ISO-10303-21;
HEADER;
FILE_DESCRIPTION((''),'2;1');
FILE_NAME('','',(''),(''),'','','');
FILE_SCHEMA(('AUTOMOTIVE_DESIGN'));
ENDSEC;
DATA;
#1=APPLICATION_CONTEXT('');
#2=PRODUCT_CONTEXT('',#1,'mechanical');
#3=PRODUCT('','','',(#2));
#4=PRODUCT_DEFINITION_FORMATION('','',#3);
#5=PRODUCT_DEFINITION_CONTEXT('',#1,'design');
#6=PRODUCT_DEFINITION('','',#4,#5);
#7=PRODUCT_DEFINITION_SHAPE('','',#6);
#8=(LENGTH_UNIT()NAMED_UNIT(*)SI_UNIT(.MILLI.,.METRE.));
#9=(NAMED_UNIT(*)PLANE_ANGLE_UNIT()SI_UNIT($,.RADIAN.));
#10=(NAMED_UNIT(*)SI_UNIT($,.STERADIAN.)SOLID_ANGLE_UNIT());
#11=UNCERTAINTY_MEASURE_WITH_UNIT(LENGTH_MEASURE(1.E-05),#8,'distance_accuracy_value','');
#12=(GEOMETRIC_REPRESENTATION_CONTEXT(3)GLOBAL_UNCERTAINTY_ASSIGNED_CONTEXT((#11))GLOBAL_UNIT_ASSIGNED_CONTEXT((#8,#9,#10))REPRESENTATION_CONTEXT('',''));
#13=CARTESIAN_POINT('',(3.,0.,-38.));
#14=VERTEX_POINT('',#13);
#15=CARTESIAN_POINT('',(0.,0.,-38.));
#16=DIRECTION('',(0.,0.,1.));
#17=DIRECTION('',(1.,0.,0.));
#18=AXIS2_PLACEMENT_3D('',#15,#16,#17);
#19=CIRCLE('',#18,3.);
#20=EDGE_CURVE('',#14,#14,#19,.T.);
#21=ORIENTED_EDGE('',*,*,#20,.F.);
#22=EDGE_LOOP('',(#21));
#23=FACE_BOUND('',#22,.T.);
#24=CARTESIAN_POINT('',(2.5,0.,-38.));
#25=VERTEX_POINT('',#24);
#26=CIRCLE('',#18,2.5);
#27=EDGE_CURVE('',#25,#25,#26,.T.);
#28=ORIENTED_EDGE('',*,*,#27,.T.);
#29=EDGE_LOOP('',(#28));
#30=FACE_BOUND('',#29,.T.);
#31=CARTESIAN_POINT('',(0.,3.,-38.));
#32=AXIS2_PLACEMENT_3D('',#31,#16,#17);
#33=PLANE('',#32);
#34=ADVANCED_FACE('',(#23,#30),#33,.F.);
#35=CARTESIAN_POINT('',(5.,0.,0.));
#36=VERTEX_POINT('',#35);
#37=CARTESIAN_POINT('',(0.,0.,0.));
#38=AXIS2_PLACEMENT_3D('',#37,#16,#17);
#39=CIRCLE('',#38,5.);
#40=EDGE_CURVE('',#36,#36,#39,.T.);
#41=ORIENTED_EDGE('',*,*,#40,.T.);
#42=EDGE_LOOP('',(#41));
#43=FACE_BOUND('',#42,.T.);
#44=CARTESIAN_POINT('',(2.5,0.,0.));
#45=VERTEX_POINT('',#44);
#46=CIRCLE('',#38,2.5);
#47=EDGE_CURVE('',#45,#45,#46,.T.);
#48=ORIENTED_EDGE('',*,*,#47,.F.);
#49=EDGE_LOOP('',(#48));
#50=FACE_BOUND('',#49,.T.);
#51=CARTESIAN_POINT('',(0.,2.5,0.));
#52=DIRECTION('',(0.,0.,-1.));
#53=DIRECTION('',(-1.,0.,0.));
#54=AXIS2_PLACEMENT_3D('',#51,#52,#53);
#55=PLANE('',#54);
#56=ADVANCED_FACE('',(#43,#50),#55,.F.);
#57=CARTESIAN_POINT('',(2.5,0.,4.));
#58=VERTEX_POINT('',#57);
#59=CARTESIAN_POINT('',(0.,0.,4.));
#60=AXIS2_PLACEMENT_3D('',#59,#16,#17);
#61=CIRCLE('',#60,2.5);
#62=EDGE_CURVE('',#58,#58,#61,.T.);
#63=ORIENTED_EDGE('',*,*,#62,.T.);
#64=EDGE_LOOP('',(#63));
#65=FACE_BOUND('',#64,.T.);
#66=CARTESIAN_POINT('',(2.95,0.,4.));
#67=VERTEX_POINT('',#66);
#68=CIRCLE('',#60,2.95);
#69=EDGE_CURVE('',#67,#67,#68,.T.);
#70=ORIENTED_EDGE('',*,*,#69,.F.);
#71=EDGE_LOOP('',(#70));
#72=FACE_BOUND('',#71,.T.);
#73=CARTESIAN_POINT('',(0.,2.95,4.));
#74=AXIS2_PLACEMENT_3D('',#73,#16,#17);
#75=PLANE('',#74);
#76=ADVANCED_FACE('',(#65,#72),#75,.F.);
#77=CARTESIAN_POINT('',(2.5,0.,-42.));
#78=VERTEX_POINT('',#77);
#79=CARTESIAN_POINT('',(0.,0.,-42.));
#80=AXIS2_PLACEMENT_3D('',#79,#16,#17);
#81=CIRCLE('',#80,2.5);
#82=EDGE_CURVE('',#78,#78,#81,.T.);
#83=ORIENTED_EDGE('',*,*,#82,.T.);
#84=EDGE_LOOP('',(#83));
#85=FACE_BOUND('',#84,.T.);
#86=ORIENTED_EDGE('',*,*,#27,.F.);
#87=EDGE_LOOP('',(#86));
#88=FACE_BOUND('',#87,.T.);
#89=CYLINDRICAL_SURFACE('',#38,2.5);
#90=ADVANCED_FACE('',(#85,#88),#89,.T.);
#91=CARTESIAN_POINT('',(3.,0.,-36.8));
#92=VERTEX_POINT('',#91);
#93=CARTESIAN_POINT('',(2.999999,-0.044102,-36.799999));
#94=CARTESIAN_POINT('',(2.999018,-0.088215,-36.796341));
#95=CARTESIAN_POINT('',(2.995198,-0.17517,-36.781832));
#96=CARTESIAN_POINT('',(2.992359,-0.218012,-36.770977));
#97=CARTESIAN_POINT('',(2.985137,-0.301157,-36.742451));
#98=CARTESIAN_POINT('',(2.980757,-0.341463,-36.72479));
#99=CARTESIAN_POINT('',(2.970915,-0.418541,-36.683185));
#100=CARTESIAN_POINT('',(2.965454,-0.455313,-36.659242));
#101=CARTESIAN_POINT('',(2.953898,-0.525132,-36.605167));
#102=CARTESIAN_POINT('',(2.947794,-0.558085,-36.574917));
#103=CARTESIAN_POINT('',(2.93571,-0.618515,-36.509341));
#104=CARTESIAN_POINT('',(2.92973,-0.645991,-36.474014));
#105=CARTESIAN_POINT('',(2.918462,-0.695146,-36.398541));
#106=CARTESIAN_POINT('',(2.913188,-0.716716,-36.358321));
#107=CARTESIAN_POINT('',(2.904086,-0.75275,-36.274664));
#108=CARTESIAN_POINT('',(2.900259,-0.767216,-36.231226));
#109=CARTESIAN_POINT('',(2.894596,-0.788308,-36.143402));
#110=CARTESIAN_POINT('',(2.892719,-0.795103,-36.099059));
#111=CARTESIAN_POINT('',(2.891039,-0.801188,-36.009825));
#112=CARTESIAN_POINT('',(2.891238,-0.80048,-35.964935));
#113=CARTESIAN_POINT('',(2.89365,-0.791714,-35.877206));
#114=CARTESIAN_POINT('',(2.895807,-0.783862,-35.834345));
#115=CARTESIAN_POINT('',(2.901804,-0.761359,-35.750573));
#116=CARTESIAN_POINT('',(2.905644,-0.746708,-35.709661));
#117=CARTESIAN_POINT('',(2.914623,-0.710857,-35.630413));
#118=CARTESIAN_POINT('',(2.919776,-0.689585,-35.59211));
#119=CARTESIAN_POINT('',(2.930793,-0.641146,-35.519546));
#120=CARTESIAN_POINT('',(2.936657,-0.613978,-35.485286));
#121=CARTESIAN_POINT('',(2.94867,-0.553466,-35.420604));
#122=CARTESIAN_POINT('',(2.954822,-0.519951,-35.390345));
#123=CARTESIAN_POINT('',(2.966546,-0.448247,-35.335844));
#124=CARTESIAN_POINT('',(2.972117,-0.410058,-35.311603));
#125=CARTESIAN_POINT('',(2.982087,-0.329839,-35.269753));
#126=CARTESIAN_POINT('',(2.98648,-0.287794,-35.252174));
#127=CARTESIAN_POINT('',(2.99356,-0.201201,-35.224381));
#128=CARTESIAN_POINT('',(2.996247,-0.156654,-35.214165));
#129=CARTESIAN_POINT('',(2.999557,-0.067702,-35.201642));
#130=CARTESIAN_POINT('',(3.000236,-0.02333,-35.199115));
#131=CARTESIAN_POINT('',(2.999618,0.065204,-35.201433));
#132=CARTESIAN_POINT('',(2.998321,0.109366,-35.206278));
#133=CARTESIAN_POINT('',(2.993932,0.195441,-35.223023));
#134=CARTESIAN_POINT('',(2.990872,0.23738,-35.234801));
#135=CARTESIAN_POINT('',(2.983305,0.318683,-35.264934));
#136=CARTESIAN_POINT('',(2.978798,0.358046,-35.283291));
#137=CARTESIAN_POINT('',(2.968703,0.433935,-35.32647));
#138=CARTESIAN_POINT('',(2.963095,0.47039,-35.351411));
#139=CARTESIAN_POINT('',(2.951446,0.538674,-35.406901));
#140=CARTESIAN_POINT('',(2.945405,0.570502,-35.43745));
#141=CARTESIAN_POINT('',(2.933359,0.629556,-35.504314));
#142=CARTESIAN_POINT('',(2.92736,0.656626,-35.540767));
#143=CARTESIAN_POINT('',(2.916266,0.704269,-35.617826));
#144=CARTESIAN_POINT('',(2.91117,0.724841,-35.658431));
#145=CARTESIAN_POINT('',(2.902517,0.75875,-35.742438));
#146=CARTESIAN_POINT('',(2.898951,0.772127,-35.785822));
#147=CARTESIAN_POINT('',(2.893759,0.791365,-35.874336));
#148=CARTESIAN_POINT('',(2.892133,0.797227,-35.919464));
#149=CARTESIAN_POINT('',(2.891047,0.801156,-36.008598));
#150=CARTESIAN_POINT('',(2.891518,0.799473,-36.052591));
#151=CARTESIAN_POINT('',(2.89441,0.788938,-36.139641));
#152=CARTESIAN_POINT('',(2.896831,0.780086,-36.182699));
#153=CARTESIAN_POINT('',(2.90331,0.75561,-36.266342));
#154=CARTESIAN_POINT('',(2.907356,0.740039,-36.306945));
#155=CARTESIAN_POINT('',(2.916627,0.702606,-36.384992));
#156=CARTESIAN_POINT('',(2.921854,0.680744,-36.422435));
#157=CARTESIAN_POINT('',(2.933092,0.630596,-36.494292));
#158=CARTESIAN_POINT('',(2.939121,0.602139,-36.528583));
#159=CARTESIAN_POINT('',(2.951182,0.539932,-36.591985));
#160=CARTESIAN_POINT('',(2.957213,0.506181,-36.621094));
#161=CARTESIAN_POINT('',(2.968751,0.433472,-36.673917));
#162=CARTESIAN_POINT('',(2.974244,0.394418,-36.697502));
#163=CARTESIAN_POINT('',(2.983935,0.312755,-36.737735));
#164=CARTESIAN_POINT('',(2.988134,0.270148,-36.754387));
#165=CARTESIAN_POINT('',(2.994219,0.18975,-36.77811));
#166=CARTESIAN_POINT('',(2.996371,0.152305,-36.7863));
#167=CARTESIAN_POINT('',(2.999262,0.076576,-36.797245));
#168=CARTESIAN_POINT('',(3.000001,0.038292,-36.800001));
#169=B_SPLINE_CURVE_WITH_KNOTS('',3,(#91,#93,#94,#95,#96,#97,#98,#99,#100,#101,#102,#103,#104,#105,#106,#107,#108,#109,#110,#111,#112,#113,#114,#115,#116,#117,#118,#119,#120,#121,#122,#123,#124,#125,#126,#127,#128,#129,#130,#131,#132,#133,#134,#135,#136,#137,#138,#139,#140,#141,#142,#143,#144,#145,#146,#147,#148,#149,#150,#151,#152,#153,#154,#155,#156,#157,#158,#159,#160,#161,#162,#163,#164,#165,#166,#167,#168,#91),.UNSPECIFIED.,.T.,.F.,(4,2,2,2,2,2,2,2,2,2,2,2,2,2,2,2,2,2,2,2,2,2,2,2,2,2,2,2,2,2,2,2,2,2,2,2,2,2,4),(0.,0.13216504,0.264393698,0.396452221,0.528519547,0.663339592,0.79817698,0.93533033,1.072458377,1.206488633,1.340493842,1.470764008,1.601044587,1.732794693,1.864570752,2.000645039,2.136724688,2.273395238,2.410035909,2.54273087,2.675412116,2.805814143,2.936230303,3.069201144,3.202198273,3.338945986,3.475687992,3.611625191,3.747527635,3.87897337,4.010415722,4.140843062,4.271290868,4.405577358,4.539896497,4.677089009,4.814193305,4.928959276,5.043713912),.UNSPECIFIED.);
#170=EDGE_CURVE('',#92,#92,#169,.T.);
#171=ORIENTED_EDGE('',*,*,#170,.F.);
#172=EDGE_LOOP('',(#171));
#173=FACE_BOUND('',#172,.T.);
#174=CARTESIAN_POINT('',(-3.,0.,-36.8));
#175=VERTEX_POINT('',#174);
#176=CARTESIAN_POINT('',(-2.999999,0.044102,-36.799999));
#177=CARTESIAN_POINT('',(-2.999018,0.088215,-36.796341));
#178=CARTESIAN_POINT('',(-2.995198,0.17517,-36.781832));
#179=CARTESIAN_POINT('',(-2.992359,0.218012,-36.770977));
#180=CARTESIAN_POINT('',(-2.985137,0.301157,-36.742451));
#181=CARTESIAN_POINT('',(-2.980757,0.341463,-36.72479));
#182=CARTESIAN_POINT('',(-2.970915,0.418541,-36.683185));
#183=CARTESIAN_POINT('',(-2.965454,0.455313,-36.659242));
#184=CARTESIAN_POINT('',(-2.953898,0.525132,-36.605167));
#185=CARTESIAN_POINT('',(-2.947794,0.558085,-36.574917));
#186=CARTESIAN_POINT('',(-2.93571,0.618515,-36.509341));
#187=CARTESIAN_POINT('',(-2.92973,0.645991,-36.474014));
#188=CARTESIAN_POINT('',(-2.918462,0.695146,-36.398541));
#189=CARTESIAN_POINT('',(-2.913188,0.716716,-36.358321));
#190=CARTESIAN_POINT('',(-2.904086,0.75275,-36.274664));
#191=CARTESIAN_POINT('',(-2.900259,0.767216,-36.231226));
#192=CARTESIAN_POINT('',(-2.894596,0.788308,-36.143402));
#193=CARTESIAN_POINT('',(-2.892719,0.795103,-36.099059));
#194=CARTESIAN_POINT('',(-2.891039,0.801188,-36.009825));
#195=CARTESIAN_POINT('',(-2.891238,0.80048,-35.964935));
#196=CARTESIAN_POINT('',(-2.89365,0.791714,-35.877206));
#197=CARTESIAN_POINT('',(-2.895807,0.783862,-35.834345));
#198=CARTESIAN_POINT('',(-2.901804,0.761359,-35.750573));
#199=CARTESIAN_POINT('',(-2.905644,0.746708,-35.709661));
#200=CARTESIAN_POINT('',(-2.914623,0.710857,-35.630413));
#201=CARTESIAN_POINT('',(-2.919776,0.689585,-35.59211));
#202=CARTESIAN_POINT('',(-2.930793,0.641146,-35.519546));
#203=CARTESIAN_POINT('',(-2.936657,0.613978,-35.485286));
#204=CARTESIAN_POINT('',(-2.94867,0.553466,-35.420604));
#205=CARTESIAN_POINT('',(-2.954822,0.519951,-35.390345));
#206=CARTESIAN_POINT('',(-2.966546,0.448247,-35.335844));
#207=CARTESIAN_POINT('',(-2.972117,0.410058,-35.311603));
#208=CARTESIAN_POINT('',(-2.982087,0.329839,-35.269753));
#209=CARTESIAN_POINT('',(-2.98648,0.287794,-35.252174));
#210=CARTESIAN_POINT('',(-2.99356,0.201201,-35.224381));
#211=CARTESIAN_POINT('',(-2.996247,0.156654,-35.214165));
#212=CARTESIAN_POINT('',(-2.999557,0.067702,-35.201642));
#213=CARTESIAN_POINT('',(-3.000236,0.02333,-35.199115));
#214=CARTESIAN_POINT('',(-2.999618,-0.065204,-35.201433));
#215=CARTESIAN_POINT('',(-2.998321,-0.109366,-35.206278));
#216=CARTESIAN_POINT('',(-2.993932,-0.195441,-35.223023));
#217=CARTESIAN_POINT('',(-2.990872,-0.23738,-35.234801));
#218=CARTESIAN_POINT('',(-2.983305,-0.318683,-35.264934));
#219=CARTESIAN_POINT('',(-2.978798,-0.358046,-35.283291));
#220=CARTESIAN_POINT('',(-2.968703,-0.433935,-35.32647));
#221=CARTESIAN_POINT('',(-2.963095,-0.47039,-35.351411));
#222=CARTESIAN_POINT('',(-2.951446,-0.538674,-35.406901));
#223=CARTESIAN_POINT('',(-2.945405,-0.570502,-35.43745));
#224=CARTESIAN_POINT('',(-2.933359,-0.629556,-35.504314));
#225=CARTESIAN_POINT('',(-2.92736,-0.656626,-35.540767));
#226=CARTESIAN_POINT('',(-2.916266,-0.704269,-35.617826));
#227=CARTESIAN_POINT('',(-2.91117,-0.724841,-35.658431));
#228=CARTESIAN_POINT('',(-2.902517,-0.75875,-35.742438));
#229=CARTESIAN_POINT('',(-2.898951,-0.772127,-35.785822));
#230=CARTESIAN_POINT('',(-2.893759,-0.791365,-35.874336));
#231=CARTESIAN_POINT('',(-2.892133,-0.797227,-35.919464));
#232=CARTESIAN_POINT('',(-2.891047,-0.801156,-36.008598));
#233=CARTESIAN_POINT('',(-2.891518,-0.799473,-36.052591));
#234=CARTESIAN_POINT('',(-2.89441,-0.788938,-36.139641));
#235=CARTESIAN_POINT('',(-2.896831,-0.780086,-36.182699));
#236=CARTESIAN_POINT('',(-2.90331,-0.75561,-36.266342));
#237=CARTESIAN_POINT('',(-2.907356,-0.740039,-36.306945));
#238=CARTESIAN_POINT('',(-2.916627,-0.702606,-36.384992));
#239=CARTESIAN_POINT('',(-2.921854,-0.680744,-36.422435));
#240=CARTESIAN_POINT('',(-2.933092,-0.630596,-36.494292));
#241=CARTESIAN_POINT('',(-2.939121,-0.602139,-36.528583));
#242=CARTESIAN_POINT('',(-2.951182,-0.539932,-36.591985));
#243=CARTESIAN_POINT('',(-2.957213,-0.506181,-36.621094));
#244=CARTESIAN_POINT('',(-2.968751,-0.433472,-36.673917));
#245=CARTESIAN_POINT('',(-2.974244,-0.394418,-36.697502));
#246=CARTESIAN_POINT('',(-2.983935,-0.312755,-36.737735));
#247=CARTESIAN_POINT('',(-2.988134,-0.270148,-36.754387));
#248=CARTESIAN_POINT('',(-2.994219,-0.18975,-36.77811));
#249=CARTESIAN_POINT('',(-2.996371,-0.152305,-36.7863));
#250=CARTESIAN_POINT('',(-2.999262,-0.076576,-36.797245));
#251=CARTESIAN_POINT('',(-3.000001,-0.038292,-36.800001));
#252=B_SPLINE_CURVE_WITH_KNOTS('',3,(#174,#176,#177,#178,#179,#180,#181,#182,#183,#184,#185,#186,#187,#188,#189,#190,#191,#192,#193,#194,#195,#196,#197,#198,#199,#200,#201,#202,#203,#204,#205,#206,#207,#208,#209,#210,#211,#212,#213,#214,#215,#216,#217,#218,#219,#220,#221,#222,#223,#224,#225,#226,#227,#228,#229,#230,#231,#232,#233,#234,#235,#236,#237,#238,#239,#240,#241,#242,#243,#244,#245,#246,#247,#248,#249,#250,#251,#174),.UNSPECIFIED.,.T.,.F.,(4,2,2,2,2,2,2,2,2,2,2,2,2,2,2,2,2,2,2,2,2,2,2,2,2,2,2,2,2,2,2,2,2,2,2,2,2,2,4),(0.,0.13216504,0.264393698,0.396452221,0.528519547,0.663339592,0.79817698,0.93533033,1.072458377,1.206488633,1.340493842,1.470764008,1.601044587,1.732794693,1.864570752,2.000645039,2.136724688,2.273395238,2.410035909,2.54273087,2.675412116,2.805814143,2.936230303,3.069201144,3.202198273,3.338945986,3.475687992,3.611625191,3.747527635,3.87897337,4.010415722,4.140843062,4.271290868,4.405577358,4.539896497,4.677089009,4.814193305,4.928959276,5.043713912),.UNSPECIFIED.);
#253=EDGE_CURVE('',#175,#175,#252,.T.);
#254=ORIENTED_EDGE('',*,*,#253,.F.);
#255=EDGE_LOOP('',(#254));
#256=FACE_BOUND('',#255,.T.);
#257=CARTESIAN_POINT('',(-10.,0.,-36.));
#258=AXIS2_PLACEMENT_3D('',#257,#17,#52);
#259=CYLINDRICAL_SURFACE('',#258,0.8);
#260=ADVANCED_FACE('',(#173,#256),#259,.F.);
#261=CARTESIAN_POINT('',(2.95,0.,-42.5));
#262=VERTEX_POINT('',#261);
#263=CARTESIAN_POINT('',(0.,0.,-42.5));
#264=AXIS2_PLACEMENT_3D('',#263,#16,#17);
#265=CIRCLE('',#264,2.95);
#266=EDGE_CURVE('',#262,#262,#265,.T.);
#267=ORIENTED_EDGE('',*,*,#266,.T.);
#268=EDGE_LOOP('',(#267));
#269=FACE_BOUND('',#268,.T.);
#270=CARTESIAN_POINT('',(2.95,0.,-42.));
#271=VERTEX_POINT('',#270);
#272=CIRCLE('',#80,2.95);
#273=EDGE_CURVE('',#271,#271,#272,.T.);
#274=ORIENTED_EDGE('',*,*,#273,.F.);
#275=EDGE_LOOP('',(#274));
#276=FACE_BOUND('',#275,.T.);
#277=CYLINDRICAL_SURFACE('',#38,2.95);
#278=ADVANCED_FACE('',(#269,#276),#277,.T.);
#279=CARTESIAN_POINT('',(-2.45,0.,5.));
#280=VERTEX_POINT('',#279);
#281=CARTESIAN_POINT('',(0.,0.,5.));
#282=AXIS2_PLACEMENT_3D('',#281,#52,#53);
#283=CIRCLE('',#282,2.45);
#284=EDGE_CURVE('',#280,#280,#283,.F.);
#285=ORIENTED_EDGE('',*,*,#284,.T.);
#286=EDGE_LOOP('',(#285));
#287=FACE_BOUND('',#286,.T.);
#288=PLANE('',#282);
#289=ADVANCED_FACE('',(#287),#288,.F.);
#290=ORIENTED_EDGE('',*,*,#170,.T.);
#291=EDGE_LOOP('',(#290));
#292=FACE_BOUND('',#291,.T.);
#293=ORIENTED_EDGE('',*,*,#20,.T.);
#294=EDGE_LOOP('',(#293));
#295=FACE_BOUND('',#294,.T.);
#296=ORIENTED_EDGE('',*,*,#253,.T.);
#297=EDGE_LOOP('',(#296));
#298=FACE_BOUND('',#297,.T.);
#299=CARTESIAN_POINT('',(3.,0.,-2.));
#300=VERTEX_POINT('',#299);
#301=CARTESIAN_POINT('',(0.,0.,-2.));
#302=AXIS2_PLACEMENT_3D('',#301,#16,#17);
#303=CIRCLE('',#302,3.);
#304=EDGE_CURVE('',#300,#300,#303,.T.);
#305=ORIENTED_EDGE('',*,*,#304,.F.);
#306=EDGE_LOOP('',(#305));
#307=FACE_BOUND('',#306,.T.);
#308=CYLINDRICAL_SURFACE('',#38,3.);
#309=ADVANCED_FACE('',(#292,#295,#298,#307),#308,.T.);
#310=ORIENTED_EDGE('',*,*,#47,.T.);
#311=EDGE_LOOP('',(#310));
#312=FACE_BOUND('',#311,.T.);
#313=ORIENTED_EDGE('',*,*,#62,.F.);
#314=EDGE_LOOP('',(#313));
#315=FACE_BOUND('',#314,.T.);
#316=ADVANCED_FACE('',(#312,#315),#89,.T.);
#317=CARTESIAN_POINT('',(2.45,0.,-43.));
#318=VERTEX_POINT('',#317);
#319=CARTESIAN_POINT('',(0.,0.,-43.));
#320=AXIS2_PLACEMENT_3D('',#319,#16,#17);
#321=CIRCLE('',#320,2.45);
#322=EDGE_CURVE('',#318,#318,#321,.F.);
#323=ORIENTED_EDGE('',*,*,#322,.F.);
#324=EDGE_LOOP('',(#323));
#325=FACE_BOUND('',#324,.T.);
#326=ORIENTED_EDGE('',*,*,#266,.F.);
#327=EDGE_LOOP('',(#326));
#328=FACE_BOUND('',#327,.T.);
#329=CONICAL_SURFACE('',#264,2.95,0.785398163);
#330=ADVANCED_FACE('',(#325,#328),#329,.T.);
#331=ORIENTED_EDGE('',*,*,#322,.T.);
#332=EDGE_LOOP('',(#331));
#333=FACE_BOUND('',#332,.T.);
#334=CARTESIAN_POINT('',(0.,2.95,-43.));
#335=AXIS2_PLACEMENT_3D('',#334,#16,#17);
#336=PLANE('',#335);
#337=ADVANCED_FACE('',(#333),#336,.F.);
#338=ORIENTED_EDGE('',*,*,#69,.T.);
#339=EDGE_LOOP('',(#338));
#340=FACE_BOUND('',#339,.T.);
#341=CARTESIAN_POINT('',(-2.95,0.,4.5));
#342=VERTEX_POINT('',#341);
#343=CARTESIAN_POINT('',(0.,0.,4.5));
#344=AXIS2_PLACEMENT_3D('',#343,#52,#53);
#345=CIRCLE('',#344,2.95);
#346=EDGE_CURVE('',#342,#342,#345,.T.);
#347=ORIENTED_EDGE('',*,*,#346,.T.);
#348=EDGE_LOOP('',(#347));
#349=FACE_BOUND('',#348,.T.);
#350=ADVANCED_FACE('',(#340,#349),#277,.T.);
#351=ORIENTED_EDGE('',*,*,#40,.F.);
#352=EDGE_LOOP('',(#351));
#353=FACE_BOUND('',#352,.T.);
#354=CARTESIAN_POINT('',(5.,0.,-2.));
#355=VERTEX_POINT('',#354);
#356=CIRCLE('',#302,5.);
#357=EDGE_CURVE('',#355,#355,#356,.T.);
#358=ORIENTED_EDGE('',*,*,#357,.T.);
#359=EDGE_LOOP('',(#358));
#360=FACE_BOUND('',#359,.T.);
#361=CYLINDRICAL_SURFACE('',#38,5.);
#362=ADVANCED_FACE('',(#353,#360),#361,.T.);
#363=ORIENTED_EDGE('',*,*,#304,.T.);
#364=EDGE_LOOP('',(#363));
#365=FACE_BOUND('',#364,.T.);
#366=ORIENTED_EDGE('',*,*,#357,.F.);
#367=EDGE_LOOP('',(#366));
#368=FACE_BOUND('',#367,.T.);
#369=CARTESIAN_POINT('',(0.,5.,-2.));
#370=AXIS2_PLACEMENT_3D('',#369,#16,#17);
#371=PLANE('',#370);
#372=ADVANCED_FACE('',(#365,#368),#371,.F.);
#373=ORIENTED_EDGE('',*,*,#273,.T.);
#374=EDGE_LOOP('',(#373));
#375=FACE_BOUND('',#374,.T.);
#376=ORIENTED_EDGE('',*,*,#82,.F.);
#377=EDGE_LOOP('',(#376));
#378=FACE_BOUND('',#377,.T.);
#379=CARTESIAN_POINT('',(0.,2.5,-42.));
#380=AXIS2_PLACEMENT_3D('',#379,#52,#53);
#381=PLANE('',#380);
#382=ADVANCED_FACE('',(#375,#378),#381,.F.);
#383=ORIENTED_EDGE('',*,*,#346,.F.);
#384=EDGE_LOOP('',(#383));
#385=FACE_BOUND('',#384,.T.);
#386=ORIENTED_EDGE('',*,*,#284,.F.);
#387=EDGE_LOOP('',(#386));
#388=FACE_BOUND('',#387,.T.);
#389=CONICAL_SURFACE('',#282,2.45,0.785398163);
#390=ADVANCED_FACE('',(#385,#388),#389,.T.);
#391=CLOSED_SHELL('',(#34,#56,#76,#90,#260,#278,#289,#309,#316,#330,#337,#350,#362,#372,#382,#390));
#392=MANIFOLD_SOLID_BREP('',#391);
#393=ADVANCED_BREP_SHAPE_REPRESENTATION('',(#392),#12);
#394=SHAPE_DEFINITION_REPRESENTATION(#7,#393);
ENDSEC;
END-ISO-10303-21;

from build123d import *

# Parameters (mm, degrees)
SKETCH_2_R          = 0.8
CUT_EXTRUDE_1_DEPTH = 10
CHAMFER_1_SIZE      = 0.5


with BuildPart() as part:
    # Эскиз1 → Повернуть1 (revolve)
    with BuildSketch(Plane(origin=(0, 0, 0), x_dir=(0, 0, -1), z_dir=(1, 0, 0))):
        Polygon((0, 2.5), (0, 5), (2, 5), (2, 3), (38, 3), (38, 2.5), (42, 2.5), (42, 2.95), (43, 2.95), (43, 0), (0, 0), (-5, 0), (-5, 2.95), (-4, 2.95), (-4, 2.5), align=None)
    revolve(axis=Axis((0, 0, 0), (0, 0, -1)))

    # Эскиз2 → Вытянуть1 (cut, symmetric)
    with BuildSketch(Plane(origin=(0, 0, 0), x_dir=(0, 0, -1), z_dir=(1, 0, 0))):
        with Locations((36, 0)):
            Circle(SKETCH_2_R)
    extrude(amount=CUT_EXTRUDE_1_DEPTH, both=True, mode=Mode.SUBTRACT)

    # Фаска1
    chamfer_1_edges = [part.edges().sort_by_distance(p)[0] for p in [
        (0, -2.95, -43),
        (0, -2.95, 5),
    ]]
    chamfer(chamfer_1_edges, length=CHAMFER_1_SIZE)


solid = part.part
